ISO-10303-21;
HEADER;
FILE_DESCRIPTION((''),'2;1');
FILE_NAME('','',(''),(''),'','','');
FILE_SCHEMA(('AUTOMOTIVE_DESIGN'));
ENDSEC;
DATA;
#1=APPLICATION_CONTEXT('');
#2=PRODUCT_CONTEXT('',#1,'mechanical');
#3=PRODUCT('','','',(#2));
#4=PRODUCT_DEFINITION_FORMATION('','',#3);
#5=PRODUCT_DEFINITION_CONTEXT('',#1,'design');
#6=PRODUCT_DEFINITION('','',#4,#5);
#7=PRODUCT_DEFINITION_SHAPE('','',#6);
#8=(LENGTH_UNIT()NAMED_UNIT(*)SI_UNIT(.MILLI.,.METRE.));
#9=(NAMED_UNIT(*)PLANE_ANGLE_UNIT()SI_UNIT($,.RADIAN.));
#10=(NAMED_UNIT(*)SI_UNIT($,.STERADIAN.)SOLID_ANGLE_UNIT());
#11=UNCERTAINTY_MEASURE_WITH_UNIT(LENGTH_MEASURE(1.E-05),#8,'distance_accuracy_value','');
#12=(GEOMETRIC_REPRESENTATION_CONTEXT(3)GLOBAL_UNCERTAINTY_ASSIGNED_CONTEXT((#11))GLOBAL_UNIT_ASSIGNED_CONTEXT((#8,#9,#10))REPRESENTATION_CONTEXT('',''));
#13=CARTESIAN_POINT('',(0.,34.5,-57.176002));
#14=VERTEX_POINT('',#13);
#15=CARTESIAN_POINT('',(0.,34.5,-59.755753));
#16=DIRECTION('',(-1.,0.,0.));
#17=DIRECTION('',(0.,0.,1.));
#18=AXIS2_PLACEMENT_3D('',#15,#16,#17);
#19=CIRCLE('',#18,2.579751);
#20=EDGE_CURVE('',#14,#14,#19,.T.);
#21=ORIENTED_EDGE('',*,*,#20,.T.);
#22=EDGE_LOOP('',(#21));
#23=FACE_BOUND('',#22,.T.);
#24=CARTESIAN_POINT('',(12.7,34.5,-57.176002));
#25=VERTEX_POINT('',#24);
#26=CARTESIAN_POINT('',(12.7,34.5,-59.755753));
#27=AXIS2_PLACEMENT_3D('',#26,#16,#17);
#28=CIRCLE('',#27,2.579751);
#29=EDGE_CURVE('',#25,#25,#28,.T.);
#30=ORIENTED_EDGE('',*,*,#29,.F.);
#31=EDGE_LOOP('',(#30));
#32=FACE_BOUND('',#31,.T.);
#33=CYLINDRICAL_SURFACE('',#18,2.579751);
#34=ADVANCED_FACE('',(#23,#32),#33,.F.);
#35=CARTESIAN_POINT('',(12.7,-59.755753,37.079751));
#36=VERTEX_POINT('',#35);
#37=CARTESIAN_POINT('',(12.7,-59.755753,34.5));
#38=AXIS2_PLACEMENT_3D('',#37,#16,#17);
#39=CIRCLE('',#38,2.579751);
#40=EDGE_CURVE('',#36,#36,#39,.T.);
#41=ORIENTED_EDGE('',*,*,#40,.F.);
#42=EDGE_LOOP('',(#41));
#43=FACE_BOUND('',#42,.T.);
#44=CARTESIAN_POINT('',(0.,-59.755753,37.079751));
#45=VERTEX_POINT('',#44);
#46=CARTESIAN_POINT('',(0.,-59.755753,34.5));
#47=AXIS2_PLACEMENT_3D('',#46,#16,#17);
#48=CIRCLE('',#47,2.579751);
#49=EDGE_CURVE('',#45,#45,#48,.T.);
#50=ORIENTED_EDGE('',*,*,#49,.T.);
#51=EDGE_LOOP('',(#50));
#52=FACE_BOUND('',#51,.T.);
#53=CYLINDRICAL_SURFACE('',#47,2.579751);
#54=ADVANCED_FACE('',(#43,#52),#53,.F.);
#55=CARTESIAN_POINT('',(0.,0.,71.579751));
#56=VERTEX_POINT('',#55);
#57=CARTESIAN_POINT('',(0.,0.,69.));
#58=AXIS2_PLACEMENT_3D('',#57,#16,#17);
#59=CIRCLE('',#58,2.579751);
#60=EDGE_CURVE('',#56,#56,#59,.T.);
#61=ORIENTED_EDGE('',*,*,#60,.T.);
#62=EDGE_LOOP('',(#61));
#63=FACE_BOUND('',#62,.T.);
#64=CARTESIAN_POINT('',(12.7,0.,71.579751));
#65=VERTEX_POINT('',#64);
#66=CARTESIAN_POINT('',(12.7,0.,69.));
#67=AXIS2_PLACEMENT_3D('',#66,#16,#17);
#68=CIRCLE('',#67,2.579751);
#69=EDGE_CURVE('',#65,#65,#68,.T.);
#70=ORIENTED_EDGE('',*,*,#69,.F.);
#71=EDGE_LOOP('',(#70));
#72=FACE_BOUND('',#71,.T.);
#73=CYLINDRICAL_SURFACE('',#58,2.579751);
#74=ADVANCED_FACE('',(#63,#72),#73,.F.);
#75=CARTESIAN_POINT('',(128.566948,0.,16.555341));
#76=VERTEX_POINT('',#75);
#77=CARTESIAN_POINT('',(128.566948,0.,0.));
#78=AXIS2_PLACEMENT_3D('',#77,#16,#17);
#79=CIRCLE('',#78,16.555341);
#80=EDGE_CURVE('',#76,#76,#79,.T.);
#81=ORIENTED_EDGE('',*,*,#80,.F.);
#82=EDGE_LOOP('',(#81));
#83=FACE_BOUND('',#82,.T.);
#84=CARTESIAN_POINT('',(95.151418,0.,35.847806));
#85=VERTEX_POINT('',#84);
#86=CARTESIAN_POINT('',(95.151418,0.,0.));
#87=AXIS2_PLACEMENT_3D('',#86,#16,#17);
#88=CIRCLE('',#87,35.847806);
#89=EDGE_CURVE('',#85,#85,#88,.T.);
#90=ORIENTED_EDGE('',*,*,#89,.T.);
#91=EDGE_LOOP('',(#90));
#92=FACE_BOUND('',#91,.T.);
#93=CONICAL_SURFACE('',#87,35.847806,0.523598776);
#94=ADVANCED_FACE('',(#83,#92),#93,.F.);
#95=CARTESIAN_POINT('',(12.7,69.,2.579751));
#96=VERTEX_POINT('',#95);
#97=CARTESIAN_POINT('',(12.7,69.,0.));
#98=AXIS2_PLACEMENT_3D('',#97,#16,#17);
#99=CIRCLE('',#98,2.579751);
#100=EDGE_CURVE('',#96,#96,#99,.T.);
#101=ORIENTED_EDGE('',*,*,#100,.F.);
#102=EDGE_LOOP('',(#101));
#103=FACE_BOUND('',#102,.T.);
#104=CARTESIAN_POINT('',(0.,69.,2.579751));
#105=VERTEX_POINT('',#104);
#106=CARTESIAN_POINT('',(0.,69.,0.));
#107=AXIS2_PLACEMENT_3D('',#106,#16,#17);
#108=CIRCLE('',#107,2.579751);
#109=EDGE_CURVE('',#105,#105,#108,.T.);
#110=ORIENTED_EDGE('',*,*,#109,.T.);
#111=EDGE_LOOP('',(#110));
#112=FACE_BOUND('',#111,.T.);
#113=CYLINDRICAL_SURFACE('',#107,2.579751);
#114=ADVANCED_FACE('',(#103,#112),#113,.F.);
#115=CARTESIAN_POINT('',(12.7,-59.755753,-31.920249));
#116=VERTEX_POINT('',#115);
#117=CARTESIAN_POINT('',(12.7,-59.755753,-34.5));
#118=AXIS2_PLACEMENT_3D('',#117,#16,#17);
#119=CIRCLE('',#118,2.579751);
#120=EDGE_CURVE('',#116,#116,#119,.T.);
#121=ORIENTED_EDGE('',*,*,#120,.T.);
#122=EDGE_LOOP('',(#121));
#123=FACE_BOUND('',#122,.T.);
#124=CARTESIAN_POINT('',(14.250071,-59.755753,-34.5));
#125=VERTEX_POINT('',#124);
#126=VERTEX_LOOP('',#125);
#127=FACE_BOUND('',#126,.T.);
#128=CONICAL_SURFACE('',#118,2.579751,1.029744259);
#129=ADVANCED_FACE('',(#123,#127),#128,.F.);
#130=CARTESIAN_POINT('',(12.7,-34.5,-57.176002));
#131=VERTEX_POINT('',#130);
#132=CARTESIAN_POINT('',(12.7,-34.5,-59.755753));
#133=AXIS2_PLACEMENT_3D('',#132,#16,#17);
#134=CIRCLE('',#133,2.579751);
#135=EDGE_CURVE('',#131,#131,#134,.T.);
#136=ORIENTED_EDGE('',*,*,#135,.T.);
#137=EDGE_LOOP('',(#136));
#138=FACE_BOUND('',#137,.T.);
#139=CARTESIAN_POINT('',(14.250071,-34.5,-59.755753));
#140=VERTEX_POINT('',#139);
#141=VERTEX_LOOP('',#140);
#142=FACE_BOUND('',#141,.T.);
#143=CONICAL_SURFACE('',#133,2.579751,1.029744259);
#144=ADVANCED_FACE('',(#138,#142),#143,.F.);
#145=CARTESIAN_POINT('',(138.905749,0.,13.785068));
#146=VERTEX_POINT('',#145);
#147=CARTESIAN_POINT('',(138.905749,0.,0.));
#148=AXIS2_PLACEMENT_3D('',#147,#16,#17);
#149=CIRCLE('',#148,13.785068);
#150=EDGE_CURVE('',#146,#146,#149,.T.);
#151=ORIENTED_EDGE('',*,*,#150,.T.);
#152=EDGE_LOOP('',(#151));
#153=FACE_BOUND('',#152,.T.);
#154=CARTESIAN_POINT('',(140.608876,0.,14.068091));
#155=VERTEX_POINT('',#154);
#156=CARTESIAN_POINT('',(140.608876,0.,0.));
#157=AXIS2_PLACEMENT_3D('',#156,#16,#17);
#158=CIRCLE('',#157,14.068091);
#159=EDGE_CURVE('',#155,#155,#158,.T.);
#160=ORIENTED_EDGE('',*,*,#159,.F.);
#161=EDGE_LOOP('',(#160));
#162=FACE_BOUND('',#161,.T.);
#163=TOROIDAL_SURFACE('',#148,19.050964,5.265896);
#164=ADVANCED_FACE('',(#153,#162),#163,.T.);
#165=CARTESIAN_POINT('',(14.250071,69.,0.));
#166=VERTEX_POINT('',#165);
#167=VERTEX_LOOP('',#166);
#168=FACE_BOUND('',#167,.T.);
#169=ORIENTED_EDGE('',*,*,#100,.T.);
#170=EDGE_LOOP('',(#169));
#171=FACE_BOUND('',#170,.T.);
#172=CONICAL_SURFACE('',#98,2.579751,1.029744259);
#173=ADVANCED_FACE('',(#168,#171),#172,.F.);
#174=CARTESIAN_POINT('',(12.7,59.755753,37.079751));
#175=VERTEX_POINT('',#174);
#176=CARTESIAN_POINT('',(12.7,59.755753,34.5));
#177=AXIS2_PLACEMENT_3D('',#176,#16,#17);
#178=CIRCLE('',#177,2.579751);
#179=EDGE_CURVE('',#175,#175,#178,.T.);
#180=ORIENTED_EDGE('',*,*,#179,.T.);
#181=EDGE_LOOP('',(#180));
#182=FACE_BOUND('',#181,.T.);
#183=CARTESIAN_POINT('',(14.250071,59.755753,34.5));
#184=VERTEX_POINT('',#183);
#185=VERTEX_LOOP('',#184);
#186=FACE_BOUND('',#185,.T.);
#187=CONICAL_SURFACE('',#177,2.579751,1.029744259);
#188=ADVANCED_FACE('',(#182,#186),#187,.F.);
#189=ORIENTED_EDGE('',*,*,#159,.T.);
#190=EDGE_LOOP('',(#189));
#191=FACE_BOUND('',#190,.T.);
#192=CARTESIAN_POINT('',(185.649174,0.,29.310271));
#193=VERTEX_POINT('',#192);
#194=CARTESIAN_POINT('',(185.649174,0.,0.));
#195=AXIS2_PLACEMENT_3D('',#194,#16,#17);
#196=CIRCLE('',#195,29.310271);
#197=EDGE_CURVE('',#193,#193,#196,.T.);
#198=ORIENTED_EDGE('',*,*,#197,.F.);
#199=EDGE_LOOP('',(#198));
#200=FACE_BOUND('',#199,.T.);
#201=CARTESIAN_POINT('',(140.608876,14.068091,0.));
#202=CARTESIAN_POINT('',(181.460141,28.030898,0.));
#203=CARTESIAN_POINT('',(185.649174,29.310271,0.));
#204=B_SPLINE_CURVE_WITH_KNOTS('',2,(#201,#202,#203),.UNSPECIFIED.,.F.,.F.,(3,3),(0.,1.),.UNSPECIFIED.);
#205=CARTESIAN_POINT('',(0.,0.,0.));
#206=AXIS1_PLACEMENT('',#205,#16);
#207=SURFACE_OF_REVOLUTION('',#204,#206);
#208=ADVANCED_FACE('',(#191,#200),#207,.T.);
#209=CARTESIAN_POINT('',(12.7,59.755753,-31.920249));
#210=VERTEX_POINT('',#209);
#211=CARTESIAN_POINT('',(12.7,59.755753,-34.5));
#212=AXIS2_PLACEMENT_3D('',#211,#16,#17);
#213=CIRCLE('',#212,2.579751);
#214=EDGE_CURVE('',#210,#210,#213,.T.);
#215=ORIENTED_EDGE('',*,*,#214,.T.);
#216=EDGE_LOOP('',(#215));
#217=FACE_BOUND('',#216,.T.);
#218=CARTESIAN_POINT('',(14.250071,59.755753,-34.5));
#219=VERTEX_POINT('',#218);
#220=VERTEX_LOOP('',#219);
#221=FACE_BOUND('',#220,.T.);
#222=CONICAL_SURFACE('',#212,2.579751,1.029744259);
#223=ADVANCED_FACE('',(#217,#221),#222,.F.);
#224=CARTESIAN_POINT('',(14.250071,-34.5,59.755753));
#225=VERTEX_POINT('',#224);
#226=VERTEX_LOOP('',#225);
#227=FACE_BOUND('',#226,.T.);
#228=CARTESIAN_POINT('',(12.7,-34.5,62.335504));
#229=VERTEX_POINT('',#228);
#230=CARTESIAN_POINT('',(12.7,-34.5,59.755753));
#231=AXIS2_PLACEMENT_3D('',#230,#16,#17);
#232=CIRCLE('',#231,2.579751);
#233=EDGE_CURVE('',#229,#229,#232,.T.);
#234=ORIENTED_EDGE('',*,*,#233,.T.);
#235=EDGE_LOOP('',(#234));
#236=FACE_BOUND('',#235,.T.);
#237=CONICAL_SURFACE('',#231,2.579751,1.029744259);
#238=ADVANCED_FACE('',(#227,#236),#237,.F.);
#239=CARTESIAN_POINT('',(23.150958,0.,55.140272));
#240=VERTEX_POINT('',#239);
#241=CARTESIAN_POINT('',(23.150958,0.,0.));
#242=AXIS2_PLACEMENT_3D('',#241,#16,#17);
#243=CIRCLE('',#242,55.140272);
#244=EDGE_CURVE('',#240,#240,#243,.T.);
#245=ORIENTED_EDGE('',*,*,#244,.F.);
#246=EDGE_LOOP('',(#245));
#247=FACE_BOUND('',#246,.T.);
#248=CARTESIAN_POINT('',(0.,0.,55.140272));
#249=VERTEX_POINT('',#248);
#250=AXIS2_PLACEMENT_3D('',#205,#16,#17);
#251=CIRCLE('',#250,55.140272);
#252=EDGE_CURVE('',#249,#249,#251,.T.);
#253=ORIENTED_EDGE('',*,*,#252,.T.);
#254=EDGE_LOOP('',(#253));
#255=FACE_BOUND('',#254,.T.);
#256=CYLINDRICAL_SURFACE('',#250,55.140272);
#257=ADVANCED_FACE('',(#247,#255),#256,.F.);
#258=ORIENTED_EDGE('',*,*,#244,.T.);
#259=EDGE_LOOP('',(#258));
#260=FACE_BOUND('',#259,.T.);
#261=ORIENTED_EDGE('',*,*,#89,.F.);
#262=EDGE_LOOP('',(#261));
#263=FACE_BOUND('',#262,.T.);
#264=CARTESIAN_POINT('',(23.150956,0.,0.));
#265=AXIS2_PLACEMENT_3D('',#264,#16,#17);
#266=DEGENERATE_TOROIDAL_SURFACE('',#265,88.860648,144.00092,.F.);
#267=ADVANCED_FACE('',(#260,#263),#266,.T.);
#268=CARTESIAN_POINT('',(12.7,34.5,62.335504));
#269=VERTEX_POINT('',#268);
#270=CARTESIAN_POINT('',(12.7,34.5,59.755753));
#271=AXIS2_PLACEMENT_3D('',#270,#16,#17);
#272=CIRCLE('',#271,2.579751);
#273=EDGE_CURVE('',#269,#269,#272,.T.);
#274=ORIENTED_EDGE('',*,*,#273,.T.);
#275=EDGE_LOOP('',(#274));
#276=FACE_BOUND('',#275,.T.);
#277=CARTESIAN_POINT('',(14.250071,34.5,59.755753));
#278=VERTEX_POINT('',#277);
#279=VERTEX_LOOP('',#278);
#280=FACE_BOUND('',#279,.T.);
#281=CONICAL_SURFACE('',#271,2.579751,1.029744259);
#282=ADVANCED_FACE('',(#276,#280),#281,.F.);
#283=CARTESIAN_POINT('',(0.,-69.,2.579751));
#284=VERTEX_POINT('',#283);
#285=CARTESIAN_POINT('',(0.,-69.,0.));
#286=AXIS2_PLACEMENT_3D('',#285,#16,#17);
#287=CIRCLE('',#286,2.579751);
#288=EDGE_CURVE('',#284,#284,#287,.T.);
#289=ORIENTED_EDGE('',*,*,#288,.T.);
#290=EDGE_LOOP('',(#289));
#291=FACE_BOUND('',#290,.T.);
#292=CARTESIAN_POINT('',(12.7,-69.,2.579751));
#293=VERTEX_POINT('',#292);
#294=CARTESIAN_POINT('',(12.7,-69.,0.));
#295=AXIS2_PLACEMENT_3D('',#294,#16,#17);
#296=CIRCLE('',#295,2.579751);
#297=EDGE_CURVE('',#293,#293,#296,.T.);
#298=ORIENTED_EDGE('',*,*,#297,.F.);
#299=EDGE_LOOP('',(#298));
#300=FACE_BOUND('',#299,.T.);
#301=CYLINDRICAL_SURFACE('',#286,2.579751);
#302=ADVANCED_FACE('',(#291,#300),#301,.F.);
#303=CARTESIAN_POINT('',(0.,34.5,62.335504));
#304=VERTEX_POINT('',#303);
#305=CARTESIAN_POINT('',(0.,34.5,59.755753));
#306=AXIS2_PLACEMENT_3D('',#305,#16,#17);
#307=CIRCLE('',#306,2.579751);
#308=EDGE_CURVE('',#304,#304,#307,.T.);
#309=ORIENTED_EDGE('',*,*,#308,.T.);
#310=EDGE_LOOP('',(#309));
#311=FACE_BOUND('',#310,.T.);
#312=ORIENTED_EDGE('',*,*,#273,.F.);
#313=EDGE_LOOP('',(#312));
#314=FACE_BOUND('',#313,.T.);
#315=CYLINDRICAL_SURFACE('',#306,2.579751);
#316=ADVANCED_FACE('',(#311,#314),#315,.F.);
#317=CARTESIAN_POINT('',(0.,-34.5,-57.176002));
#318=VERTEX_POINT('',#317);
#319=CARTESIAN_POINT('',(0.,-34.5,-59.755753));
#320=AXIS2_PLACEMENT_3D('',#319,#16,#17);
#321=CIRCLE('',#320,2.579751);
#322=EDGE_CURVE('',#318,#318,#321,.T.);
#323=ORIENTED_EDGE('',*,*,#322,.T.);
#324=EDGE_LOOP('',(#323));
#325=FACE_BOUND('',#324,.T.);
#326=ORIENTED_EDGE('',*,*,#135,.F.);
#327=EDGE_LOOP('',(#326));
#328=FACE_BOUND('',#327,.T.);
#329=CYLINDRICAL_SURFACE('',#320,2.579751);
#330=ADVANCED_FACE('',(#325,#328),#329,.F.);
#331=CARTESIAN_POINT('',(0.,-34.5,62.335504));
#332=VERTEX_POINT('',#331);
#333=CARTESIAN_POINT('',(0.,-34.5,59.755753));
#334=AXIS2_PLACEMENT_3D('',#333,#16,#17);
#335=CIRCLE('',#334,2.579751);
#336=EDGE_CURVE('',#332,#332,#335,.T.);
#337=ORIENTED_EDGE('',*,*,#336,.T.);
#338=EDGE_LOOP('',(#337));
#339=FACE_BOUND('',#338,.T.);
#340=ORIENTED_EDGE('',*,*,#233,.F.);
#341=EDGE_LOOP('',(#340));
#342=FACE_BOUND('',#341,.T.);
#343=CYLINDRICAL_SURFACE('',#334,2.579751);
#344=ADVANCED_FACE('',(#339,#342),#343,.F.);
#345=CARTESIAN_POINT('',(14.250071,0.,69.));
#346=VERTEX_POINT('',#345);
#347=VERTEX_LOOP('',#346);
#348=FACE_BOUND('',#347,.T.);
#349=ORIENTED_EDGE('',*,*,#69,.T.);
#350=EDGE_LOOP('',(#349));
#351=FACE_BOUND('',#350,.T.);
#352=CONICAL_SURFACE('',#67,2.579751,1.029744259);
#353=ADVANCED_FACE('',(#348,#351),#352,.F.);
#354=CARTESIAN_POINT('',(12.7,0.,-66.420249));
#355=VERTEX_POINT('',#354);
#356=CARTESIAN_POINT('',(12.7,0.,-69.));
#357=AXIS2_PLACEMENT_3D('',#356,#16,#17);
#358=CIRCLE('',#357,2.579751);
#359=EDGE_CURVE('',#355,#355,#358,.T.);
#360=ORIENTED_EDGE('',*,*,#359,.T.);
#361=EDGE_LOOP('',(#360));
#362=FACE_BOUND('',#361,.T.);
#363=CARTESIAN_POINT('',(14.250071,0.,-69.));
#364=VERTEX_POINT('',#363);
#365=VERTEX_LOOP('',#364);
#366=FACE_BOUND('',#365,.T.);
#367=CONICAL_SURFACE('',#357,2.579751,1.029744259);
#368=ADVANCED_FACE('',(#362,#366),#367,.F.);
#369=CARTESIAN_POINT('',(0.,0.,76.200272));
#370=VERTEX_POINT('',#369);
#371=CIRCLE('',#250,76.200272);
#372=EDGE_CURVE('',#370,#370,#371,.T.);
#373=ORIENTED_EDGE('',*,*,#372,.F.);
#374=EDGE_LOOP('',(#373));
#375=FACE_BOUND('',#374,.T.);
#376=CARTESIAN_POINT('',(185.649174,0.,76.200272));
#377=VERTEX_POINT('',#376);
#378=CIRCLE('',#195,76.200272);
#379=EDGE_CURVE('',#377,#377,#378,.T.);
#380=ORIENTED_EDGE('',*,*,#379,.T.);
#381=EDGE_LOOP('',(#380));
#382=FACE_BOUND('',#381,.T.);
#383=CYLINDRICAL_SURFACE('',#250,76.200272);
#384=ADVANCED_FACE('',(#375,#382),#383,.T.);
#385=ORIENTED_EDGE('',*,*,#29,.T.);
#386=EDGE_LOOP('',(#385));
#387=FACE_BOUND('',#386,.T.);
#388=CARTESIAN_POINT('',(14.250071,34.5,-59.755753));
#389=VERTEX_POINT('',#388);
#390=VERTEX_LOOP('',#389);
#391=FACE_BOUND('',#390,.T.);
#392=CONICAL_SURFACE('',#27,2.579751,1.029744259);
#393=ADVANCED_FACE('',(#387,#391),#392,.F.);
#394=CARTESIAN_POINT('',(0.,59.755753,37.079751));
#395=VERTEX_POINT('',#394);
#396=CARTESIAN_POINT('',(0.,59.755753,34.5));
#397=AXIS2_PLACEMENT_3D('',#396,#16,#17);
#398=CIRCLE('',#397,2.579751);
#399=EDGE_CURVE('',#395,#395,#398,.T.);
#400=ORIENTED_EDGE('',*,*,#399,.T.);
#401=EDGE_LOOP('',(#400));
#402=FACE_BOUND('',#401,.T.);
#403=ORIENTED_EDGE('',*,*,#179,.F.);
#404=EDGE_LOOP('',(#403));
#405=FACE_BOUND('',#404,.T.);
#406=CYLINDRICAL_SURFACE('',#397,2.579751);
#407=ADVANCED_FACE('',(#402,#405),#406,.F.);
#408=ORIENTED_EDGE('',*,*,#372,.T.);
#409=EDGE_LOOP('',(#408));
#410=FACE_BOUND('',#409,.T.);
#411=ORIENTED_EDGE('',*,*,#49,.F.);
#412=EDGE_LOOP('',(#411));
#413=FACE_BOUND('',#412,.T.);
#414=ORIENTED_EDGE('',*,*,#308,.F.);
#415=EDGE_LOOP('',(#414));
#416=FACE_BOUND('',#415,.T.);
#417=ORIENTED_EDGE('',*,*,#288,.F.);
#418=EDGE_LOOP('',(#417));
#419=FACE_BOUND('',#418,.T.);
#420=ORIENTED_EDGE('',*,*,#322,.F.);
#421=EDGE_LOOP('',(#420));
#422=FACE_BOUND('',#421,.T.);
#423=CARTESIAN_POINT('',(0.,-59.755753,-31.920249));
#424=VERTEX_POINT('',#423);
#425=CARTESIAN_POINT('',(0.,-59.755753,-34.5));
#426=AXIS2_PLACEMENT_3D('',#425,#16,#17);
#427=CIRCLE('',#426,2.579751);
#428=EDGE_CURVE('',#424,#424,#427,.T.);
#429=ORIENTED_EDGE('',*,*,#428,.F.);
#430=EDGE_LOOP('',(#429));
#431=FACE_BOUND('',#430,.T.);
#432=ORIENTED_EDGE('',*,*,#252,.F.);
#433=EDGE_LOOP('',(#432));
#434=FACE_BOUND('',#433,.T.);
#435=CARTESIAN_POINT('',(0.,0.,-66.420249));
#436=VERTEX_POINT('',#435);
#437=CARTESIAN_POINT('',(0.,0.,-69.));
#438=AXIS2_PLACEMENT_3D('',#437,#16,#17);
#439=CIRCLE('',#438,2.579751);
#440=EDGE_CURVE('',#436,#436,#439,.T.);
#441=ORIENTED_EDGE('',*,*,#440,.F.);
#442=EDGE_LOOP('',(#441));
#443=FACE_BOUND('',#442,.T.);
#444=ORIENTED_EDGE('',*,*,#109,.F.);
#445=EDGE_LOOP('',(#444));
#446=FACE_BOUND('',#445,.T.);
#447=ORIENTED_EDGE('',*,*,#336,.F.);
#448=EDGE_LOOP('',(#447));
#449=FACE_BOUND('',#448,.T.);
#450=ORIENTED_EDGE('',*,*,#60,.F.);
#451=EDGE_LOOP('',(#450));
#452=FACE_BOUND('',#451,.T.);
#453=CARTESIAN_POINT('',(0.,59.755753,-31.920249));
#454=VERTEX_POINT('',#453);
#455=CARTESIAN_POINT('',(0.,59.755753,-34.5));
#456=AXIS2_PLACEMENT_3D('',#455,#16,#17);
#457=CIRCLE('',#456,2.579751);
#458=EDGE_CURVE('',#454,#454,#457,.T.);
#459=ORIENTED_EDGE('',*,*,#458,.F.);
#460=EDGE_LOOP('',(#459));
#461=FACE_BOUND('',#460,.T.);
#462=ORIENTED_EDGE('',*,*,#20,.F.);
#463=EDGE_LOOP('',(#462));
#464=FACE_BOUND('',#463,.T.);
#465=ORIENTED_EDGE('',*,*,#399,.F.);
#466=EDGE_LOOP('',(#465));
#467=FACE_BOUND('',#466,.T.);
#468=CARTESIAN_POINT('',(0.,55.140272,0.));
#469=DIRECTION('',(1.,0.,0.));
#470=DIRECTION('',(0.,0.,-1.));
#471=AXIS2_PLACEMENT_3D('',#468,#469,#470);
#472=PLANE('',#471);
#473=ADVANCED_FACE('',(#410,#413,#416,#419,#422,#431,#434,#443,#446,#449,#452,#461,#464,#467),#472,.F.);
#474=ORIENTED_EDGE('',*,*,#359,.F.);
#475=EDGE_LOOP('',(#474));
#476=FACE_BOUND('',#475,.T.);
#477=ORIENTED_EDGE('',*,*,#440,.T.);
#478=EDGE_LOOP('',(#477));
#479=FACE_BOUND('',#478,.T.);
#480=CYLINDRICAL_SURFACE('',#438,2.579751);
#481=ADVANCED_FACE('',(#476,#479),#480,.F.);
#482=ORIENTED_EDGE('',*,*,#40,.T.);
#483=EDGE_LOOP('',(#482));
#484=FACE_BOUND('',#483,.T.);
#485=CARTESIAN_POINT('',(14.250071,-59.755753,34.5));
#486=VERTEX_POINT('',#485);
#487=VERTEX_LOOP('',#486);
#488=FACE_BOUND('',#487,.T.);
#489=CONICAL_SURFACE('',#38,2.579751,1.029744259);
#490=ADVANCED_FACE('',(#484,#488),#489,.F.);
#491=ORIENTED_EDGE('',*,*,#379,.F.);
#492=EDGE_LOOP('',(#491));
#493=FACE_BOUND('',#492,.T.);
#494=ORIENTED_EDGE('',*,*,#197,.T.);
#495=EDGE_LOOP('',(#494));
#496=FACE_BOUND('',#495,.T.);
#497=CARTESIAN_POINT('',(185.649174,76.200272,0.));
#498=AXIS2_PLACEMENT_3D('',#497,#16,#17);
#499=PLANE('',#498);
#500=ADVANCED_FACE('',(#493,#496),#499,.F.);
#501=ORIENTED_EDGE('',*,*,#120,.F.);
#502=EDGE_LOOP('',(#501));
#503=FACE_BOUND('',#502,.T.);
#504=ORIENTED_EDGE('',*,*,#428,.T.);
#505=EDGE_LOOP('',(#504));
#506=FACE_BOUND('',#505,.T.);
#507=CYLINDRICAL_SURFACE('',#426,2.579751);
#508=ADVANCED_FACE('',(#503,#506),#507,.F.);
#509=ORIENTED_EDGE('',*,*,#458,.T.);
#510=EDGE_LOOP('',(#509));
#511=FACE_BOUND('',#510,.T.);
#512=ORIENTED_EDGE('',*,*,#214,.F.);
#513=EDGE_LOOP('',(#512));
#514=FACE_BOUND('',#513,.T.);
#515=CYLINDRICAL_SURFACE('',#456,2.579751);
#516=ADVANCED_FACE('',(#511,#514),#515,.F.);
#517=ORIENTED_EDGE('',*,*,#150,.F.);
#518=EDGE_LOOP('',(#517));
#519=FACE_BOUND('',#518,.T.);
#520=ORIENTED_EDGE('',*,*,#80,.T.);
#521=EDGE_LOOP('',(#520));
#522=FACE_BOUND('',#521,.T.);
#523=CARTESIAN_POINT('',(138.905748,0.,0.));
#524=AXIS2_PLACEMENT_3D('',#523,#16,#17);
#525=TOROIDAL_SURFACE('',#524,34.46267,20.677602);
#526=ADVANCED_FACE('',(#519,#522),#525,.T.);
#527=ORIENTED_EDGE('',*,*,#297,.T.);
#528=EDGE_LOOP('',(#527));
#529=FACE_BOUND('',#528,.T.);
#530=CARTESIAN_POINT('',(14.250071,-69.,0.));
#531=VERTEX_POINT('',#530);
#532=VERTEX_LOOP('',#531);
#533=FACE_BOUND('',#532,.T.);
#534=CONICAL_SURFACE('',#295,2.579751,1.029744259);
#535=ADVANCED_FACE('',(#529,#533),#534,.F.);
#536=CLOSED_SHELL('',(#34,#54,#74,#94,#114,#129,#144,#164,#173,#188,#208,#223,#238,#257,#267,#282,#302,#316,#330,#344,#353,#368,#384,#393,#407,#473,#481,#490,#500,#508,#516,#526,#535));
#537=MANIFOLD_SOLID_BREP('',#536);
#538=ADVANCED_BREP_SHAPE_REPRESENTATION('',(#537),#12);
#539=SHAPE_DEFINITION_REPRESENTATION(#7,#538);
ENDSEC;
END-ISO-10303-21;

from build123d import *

# Parameters (mm, degrees)
CIRPATTERN1_COUNT = 12


with BuildPart() as part:
    # Model → Revolve1 (revolve)
    with BuildSketch(Plane.XY, mode=Mode.PRIVATE) as revolve1_sk:
        with BuildLine():
            Line((0, 55.140272), (23.150958, 55.140272))
            ThreePointArc((23.150958, 55.140272), (60.421138671, 50.233559208), (95.151418, 35.847806))
            Line((95.151418, 35.847806), (128.566947896, 16.55534082))
            ThreePointArc((128.566947896, 16.55534082), (133.553991718, 14.489639839), (138.905748896, 13.78506782))
            ThreePointArc((138.905748896, 13.78506782), (139.768990342, 13.856305516), (140.608875713, 14.068091181))
            add(Edge.make_bspline(
                [(140.608875713, 14.068091181), (181.460140896, 28.03089782), (185.649173896, 29.31027082)],
                knots=[0, 0, 0, 1, 1, 1], degree=2))
            Line((185.649173896, 29.31027082), (185.649173896, 76.200272))
            Line((185.649173896, 76.200272), (0, 76.200272))
            Line((0, 76.200272), (0, 55.140272))
        make_face()
    revolve(revolve1_sk.sketch.rotate(Axis((0, 0, 0), (1, 0, 0)), 90), axis=Axis((0, 0, 0), (1, 0, 0)))

    # Sketch3 → 13/64 (0.20313) Diameter Hole1 (revolve, cut)
    with BuildSketch(Plane(origin=(0, 0, 69), x_dir=(0, 0, 1), z_dir=(0, 1, 0))):
        Polygon((0, 0), (0, 14.250070783), (2.579751, 12.7), (2.579751, 0), align=None)
    f_13_64_0_20313_diameter_hole1 = revolve(axis=Axis((-6.35, 0, 69), (1, 0, 0)), mode=Mode.SUBTRACT)

    # CirPattern1: 13/64 (0.20313) Diameter Hole1 ×12 about axis
    cirpattern1_axis = Axis((0, 0, 0), (1, 0, 0))
    for i in range(1, CIRPATTERN1_COUNT):
        add(f_13_64_0_20313_diameter_hole1.rotate(cirpattern1_axis, i * 360 / CIRPATTERN1_COUNT), mode=Mode.SUBTRACT)


solid = part.part
